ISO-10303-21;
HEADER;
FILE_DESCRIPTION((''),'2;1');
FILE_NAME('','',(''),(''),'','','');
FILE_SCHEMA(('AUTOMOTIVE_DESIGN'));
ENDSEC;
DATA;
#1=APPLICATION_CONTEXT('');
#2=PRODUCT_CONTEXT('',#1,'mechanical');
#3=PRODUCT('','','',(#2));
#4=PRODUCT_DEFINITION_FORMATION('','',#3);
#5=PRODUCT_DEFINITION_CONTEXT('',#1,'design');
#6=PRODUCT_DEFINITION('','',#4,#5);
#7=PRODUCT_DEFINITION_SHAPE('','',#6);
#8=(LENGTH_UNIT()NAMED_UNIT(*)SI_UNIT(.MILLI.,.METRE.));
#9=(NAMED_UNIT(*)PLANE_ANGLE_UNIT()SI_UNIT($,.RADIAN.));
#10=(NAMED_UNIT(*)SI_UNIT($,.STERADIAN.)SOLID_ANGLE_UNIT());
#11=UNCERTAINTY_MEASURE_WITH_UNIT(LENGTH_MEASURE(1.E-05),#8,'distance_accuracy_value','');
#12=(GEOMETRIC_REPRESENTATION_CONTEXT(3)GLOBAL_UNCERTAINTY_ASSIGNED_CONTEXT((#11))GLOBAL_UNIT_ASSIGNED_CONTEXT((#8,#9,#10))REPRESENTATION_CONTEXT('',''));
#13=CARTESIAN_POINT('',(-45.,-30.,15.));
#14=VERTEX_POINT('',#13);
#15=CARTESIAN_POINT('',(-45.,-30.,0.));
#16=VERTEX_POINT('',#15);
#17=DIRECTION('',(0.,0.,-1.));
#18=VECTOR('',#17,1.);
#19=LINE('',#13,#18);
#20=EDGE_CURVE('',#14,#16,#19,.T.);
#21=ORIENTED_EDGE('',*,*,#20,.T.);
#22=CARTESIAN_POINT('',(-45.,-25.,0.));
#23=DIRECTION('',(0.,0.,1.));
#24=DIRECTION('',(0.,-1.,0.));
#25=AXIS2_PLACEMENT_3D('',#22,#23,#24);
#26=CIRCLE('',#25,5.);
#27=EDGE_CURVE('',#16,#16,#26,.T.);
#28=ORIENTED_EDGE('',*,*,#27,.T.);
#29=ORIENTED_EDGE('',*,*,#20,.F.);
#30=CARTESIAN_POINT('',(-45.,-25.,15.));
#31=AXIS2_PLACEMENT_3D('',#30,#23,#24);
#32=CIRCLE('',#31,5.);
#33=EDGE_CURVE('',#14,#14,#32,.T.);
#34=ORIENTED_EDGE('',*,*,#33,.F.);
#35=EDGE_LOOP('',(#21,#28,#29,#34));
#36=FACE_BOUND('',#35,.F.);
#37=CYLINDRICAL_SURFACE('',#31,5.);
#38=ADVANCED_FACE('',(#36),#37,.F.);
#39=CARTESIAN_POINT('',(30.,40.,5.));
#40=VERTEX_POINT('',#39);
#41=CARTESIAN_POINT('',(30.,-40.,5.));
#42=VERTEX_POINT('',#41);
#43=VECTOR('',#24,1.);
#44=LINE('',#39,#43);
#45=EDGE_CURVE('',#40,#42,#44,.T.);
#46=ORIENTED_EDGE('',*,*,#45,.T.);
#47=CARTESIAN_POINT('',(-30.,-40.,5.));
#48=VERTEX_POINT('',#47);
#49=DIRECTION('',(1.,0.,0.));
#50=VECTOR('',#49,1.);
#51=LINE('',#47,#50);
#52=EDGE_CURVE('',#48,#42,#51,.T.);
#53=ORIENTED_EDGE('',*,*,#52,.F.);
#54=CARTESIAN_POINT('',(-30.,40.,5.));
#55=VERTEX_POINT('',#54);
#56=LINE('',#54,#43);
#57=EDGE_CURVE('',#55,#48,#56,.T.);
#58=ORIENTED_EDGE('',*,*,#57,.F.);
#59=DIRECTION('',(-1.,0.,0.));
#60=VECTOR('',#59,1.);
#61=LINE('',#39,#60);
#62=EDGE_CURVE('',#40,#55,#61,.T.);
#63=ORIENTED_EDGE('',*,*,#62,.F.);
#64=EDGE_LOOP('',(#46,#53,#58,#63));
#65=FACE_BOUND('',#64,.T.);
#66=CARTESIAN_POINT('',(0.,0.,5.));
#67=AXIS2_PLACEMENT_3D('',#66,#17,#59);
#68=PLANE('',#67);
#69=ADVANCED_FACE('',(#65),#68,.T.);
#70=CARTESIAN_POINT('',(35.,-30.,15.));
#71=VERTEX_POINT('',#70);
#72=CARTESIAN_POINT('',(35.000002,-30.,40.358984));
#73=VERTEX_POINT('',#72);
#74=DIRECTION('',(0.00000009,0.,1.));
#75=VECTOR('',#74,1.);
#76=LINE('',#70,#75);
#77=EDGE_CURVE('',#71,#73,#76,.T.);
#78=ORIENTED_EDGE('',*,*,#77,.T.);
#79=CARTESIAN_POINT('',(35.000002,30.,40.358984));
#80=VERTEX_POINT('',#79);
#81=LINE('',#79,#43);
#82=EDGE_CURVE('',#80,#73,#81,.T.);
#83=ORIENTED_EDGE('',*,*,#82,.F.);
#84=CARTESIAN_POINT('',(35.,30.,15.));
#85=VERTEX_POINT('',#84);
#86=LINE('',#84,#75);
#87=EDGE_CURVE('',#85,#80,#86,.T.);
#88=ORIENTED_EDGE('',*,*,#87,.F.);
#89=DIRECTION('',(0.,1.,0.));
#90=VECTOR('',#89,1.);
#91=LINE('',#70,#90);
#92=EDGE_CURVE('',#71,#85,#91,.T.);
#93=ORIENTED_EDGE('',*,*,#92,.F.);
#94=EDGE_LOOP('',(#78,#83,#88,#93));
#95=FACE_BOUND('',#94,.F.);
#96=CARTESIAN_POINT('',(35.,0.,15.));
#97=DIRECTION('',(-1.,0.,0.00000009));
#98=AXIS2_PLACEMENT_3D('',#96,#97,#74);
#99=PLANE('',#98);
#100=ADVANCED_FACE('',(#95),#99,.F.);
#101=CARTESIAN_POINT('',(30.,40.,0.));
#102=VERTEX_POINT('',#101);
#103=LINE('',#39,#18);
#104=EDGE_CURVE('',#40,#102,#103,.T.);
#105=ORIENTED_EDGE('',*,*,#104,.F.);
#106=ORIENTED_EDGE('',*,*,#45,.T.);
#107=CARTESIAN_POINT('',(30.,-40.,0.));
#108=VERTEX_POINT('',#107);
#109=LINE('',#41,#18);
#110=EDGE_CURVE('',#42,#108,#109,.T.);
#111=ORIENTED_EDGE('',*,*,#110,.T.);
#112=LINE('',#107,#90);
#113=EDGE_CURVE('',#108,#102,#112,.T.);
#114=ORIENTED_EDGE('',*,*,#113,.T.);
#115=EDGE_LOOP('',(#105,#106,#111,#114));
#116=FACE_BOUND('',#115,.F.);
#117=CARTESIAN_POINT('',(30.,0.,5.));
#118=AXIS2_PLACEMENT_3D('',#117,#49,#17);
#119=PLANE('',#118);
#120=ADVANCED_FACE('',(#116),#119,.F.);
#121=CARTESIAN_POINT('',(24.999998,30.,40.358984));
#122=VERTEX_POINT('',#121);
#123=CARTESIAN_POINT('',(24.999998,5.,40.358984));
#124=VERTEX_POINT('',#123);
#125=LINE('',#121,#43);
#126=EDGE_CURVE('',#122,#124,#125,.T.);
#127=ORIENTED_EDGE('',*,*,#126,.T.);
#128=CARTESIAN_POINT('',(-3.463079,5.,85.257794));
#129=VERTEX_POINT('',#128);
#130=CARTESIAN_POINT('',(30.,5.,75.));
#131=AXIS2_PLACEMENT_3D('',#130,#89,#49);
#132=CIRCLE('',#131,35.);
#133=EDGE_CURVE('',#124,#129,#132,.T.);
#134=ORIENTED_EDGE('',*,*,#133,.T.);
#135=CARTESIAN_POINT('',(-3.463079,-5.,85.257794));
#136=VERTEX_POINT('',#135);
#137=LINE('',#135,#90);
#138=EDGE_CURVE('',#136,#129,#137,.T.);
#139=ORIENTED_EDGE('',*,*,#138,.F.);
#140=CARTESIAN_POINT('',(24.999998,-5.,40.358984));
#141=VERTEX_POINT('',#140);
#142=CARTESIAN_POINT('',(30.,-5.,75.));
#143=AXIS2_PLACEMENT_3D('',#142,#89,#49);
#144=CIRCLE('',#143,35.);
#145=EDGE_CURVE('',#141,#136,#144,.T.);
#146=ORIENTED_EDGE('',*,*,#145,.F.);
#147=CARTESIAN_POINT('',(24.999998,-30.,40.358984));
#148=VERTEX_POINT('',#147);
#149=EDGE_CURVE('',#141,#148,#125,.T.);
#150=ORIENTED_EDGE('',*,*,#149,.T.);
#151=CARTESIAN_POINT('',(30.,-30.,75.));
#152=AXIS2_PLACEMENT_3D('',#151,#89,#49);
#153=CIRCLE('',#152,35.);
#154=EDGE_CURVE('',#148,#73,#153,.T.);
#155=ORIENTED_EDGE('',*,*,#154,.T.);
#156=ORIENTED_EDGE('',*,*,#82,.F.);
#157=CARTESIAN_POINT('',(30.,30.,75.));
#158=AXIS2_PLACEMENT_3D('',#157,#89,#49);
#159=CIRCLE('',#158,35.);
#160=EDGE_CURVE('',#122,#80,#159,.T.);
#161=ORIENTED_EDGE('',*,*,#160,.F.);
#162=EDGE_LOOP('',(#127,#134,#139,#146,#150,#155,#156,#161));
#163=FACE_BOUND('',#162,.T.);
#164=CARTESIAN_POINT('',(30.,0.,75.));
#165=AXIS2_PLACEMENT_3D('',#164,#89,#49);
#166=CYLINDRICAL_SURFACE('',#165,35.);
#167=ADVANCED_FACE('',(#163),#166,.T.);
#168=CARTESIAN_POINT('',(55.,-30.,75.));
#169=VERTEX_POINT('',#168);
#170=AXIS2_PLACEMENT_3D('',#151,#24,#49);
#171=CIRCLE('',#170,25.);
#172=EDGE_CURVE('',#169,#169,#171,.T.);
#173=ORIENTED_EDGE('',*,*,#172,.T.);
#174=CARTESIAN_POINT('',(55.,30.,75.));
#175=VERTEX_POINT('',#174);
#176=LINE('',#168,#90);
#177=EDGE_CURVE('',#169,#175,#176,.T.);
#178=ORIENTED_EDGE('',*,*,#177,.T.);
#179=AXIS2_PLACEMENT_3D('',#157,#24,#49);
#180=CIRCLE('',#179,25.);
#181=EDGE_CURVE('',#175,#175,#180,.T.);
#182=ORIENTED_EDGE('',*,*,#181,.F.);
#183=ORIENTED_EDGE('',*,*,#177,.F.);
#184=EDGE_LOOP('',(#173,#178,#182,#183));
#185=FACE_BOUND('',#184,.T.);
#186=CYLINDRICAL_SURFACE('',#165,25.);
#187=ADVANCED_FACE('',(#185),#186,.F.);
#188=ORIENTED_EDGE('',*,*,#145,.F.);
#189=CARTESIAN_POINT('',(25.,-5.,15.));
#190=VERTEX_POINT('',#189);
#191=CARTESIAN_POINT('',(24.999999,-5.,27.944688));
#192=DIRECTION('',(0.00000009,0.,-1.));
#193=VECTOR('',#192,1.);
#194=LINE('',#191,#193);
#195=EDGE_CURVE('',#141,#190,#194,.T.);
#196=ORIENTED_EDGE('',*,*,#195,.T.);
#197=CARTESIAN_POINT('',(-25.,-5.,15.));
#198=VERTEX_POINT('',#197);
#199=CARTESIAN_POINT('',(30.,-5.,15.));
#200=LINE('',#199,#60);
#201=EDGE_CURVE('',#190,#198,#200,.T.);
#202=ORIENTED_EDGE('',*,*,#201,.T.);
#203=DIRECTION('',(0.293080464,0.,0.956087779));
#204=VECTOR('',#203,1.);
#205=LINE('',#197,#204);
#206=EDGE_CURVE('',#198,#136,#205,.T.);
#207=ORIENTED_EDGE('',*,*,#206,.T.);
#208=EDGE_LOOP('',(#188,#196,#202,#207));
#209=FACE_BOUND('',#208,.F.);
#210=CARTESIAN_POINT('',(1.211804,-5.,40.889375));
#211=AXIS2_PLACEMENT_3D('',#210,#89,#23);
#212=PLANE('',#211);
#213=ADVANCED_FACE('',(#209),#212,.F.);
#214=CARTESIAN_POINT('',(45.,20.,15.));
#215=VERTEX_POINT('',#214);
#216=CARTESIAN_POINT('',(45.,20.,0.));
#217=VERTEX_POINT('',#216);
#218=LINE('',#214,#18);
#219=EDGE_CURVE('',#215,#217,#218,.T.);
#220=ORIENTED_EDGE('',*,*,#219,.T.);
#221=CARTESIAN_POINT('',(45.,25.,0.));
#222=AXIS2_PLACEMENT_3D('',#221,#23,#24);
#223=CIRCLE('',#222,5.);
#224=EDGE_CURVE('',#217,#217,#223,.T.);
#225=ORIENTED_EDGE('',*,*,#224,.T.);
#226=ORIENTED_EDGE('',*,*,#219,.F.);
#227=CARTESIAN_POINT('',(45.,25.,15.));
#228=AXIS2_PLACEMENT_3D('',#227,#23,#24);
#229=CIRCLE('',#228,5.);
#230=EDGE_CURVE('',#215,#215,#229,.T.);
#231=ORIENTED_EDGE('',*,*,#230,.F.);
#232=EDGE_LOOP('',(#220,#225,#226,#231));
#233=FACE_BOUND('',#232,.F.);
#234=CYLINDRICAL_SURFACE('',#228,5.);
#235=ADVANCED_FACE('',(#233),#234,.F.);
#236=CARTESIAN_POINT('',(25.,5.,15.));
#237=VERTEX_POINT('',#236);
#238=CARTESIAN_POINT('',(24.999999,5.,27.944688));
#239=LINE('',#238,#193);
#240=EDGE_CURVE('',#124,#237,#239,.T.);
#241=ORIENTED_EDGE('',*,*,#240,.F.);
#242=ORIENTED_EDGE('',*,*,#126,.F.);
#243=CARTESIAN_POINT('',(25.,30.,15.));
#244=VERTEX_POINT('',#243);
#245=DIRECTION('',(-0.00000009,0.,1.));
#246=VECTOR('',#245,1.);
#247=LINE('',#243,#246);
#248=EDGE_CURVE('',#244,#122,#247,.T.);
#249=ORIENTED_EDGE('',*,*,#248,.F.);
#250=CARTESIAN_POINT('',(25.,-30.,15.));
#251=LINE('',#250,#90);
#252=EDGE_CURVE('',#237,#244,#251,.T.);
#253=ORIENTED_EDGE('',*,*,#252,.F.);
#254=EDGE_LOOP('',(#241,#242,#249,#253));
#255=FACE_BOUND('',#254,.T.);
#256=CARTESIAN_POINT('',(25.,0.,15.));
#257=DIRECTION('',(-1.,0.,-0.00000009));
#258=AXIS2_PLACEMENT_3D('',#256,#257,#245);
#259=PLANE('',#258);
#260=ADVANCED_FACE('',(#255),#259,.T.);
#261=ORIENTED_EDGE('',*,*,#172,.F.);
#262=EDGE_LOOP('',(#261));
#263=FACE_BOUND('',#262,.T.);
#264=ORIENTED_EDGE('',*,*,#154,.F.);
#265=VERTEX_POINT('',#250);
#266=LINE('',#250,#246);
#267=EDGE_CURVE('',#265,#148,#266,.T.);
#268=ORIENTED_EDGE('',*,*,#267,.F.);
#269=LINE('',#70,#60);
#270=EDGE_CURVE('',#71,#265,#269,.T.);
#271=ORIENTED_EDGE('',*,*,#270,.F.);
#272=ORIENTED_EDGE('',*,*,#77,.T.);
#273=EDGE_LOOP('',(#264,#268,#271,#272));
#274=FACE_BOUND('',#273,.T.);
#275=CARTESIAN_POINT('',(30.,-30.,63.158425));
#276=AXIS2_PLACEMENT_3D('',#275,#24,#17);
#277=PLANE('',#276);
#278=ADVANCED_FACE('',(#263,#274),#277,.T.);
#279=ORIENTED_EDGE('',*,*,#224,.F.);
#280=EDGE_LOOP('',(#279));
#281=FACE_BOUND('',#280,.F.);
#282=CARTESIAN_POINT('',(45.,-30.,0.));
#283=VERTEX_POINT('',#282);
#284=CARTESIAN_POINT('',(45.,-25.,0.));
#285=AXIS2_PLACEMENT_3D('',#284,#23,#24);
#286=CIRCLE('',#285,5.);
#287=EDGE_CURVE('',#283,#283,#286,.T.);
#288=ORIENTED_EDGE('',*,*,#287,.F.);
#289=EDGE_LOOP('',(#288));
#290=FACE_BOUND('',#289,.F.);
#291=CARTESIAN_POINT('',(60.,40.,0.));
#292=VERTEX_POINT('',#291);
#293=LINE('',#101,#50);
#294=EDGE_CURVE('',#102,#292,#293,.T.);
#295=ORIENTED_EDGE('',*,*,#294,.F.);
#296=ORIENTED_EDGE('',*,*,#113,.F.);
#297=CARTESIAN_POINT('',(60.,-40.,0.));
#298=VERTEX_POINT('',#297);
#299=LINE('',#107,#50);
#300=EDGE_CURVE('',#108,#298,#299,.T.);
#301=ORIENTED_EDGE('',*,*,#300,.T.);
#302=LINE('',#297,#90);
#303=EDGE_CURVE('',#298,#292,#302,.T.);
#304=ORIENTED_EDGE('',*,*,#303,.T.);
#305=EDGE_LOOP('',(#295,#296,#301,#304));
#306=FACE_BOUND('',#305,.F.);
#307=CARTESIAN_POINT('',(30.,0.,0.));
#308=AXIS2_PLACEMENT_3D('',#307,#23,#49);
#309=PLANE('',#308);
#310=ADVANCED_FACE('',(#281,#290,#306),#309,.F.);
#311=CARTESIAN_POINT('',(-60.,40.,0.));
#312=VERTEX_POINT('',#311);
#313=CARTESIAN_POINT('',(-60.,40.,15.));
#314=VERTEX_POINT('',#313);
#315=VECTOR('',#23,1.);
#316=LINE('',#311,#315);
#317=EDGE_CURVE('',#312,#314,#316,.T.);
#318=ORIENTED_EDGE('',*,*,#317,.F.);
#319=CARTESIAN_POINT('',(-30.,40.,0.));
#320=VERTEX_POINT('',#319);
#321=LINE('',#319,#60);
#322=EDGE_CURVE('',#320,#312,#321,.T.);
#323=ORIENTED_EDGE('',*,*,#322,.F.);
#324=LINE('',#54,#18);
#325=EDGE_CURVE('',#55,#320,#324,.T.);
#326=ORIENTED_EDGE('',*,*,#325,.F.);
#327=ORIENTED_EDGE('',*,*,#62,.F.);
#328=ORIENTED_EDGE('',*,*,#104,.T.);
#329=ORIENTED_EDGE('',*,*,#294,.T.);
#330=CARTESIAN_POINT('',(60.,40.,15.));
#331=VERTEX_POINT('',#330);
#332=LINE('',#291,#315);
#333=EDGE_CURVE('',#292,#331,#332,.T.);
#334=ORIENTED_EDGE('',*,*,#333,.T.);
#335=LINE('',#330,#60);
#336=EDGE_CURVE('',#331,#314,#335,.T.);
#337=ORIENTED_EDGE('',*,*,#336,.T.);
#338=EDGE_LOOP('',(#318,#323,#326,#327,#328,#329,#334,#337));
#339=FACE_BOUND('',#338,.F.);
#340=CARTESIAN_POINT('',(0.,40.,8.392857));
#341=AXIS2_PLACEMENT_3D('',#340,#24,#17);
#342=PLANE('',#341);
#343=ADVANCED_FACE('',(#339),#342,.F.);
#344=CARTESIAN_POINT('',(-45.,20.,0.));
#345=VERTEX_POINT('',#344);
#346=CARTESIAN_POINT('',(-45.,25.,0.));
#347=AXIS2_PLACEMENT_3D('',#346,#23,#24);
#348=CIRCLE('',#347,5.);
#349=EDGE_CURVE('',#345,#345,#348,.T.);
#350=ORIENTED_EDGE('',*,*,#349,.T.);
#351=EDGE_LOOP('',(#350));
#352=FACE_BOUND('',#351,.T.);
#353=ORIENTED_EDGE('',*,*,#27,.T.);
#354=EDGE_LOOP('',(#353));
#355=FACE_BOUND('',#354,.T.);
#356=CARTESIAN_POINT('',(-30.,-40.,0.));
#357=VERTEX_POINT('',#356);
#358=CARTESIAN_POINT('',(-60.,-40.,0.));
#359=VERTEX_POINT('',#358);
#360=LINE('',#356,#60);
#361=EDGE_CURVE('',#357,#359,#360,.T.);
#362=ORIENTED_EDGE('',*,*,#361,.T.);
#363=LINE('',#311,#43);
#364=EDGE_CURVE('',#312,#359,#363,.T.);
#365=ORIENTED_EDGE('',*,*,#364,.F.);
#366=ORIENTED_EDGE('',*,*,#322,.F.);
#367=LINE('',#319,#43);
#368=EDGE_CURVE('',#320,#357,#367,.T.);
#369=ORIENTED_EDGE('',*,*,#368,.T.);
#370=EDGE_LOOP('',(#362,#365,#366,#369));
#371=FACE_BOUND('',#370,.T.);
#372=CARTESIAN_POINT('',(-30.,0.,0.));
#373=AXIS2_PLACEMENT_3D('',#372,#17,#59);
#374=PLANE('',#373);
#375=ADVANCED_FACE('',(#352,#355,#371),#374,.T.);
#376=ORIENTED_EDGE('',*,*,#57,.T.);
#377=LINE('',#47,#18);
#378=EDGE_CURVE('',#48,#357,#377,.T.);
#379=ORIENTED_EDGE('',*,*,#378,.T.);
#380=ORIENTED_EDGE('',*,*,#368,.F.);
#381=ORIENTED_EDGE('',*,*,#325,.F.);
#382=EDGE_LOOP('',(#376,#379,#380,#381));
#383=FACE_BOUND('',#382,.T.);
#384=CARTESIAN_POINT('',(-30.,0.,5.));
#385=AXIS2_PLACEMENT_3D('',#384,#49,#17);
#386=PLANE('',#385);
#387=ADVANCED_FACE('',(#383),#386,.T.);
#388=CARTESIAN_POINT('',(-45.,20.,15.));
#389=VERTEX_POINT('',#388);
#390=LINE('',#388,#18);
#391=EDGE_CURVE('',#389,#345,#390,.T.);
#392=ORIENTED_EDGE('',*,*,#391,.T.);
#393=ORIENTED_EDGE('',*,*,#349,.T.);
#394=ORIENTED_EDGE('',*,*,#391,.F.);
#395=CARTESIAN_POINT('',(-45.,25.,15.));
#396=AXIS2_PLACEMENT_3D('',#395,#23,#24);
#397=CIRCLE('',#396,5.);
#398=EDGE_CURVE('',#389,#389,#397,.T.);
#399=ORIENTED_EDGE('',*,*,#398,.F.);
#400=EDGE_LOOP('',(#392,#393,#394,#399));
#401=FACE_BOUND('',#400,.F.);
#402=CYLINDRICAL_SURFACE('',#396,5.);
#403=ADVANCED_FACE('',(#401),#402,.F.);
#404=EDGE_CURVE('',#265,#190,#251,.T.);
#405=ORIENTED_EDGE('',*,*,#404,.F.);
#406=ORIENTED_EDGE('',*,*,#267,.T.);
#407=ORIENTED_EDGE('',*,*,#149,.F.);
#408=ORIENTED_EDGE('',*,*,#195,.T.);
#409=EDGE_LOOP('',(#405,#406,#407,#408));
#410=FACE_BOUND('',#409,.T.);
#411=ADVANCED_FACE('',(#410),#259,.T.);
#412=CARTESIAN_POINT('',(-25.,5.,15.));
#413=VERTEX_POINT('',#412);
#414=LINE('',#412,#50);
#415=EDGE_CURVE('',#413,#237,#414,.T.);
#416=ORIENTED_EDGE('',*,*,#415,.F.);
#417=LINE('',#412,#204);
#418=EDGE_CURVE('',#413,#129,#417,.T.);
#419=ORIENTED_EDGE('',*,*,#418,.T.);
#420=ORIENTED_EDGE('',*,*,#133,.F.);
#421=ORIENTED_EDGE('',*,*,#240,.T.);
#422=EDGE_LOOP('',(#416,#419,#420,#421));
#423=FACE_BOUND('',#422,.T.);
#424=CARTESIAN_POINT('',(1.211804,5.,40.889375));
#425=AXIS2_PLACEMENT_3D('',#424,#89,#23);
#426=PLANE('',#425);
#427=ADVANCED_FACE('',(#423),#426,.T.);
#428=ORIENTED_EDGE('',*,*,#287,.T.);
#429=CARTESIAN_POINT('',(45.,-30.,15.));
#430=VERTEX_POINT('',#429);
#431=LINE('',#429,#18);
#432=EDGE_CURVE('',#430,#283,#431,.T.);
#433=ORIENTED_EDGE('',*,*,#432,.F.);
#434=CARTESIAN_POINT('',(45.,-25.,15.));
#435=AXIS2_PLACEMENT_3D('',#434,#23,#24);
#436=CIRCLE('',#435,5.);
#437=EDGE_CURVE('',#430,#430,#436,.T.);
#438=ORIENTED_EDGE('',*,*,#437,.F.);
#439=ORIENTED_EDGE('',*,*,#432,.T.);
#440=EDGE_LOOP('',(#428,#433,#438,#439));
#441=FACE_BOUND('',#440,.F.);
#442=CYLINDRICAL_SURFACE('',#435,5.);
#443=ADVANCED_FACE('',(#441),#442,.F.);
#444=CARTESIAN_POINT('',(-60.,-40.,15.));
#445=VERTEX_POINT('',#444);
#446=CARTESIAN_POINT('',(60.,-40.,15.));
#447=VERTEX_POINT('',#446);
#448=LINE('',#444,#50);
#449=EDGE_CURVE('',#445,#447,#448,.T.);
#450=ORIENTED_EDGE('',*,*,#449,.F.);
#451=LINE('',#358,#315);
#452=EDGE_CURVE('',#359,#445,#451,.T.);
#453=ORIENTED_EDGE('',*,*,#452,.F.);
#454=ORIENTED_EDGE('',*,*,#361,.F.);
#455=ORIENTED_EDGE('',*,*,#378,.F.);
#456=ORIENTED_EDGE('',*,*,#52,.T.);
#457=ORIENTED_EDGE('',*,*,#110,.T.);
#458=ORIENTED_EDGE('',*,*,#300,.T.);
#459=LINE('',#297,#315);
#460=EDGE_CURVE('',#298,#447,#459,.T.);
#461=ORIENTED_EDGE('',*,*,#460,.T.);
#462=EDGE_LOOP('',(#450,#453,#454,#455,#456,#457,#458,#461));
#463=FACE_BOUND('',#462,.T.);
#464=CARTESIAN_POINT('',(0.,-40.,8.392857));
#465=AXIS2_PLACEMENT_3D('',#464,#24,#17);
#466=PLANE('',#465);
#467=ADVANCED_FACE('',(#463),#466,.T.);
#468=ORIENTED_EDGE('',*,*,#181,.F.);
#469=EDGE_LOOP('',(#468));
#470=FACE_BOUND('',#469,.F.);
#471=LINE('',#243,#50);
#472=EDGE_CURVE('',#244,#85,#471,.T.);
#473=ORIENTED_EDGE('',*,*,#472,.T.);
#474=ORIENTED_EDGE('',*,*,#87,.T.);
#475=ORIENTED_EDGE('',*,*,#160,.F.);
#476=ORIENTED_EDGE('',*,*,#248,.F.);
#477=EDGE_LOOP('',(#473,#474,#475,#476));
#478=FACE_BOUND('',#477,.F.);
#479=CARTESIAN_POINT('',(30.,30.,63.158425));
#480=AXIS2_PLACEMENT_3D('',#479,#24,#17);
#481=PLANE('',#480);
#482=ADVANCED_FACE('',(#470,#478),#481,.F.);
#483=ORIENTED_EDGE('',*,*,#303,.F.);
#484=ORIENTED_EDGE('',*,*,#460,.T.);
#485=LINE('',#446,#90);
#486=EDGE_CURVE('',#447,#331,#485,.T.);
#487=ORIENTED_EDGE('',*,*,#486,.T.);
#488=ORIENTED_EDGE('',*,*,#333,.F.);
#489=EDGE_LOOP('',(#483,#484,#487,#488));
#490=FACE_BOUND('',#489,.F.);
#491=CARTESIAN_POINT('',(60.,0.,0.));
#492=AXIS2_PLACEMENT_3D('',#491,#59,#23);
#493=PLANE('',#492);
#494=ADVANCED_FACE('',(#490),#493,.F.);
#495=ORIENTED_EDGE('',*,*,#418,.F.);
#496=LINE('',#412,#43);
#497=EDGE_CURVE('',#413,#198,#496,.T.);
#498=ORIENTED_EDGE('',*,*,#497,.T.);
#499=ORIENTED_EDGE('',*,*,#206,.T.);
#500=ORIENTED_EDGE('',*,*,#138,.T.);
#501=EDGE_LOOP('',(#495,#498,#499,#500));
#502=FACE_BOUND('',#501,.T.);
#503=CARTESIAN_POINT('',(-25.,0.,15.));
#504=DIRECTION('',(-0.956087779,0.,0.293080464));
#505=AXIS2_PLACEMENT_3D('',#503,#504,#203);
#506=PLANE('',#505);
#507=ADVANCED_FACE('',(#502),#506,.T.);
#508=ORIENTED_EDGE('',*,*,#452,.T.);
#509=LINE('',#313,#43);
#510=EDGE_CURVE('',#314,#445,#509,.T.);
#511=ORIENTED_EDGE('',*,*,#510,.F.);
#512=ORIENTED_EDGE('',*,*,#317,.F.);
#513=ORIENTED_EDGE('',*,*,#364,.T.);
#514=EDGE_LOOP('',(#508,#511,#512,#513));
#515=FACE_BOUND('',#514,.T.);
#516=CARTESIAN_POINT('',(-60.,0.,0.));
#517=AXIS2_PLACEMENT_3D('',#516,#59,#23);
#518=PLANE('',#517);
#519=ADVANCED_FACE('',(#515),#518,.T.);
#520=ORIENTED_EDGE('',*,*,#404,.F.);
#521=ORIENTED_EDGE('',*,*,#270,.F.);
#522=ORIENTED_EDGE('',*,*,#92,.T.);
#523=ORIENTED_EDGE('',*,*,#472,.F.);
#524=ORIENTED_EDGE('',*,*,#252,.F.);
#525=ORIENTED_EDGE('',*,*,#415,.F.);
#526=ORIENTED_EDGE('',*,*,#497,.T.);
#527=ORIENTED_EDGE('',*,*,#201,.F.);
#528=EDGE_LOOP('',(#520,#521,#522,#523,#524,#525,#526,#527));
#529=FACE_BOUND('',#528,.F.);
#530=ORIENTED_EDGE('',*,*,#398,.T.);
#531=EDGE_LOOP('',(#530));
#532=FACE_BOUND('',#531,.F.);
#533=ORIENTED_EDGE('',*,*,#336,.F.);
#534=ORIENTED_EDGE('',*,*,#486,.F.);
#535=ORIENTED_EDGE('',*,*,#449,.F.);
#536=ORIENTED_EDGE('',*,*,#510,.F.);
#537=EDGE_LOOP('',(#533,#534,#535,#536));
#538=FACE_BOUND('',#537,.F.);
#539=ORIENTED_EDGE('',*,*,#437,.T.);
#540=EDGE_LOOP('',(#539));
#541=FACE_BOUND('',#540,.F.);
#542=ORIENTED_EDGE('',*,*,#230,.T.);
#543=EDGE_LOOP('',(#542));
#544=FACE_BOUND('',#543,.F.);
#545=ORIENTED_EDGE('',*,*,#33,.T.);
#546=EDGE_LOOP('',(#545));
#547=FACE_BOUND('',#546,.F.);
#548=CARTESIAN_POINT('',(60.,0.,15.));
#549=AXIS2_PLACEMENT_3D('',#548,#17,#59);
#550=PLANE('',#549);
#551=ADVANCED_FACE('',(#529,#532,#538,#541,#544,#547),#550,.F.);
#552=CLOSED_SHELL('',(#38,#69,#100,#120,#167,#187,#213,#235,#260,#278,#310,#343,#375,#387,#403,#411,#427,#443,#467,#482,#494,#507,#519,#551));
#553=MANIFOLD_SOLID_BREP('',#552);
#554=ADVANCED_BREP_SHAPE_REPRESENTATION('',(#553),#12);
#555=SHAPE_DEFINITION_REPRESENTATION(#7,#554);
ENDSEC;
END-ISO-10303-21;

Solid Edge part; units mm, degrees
sketch "Sketch1" plane through (0, 0, 0) normal (0, -1, 0) x (1, 0, 0)
  line L0 (60, 15) -> (0, 15)
  line L1 (-60, 15) -> (0, 15)
  line L2 (-60, 0) -> (-60, 15)
  line L3 (-30, 0) -> (-60, 0)
  line L4 (-30, 5) -> (-30, 0)
  line L5 (0, 5) -> (-30, 5)
  line L6 (0, 5) -> (30, 5)
  line L7 (30, 5) -> (30, 0)
  line L8 (30, 0) -> (60, 0)
  line L9 (60, 0) -> (60, 15)
extrude "Protrusion1" add sketch "Sketch1" along normal mid plane 80
sketch "Sketch2" plane through (0, 0, 15) normal (0, 0, 1) x (0, -1, 0)
  circle A0 centre (-25, -45) radius 5
  circle A1 centre (-25, 45) radius 5
  circle A2 centre (25, 45) radius 5
  circle A3 centre (25, -45) radius 5
extrude "ExtrudedCutout_1" cut sketch "Sketch2" against normal blind 15
sketch "Sketch3" plane through (0, 0, 7.5) normal (0, -1, 0) x (1, 0, 0)
  line L0 (35, 7.5) -> (35, 32.859)
  line L1 (35, 7.5) -> (30, 7.5)
  line L2 (30, 7.5) -> (25, 7.5)
  line L3 (25, 7.5) -> (25, 32.859)
  arc A0 (25, 32.859) -> (35, 32.859) centre (30, 67.5) cw
  circle A1 centre (30, 67.5) radius 25
extrude "ExtrudedProtrusion_2" add sketch "Sketch3" along normal mid plane 60
sketch "Sketch4" plane through (0, 0, 7.5) normal (0, -1, 0) x (1, 0, 0)
  line L0 (-25, 7.5) -> (-3.4631, 77.7578)
  line L1 (30, 7.5) -> (30, 32.5)
  line L2 (30, 7.5) -> (25, 7.5)
  line L3 (25, 7.5) -> (-25, 7.5)
  arc A0 (30, 32.5) -> (-3.4631, 77.7578) centre (30, 67.5) cw
extrude "ExtrudedProtrusion_3" add sketch "Sketch4" along normal mid plane 10
